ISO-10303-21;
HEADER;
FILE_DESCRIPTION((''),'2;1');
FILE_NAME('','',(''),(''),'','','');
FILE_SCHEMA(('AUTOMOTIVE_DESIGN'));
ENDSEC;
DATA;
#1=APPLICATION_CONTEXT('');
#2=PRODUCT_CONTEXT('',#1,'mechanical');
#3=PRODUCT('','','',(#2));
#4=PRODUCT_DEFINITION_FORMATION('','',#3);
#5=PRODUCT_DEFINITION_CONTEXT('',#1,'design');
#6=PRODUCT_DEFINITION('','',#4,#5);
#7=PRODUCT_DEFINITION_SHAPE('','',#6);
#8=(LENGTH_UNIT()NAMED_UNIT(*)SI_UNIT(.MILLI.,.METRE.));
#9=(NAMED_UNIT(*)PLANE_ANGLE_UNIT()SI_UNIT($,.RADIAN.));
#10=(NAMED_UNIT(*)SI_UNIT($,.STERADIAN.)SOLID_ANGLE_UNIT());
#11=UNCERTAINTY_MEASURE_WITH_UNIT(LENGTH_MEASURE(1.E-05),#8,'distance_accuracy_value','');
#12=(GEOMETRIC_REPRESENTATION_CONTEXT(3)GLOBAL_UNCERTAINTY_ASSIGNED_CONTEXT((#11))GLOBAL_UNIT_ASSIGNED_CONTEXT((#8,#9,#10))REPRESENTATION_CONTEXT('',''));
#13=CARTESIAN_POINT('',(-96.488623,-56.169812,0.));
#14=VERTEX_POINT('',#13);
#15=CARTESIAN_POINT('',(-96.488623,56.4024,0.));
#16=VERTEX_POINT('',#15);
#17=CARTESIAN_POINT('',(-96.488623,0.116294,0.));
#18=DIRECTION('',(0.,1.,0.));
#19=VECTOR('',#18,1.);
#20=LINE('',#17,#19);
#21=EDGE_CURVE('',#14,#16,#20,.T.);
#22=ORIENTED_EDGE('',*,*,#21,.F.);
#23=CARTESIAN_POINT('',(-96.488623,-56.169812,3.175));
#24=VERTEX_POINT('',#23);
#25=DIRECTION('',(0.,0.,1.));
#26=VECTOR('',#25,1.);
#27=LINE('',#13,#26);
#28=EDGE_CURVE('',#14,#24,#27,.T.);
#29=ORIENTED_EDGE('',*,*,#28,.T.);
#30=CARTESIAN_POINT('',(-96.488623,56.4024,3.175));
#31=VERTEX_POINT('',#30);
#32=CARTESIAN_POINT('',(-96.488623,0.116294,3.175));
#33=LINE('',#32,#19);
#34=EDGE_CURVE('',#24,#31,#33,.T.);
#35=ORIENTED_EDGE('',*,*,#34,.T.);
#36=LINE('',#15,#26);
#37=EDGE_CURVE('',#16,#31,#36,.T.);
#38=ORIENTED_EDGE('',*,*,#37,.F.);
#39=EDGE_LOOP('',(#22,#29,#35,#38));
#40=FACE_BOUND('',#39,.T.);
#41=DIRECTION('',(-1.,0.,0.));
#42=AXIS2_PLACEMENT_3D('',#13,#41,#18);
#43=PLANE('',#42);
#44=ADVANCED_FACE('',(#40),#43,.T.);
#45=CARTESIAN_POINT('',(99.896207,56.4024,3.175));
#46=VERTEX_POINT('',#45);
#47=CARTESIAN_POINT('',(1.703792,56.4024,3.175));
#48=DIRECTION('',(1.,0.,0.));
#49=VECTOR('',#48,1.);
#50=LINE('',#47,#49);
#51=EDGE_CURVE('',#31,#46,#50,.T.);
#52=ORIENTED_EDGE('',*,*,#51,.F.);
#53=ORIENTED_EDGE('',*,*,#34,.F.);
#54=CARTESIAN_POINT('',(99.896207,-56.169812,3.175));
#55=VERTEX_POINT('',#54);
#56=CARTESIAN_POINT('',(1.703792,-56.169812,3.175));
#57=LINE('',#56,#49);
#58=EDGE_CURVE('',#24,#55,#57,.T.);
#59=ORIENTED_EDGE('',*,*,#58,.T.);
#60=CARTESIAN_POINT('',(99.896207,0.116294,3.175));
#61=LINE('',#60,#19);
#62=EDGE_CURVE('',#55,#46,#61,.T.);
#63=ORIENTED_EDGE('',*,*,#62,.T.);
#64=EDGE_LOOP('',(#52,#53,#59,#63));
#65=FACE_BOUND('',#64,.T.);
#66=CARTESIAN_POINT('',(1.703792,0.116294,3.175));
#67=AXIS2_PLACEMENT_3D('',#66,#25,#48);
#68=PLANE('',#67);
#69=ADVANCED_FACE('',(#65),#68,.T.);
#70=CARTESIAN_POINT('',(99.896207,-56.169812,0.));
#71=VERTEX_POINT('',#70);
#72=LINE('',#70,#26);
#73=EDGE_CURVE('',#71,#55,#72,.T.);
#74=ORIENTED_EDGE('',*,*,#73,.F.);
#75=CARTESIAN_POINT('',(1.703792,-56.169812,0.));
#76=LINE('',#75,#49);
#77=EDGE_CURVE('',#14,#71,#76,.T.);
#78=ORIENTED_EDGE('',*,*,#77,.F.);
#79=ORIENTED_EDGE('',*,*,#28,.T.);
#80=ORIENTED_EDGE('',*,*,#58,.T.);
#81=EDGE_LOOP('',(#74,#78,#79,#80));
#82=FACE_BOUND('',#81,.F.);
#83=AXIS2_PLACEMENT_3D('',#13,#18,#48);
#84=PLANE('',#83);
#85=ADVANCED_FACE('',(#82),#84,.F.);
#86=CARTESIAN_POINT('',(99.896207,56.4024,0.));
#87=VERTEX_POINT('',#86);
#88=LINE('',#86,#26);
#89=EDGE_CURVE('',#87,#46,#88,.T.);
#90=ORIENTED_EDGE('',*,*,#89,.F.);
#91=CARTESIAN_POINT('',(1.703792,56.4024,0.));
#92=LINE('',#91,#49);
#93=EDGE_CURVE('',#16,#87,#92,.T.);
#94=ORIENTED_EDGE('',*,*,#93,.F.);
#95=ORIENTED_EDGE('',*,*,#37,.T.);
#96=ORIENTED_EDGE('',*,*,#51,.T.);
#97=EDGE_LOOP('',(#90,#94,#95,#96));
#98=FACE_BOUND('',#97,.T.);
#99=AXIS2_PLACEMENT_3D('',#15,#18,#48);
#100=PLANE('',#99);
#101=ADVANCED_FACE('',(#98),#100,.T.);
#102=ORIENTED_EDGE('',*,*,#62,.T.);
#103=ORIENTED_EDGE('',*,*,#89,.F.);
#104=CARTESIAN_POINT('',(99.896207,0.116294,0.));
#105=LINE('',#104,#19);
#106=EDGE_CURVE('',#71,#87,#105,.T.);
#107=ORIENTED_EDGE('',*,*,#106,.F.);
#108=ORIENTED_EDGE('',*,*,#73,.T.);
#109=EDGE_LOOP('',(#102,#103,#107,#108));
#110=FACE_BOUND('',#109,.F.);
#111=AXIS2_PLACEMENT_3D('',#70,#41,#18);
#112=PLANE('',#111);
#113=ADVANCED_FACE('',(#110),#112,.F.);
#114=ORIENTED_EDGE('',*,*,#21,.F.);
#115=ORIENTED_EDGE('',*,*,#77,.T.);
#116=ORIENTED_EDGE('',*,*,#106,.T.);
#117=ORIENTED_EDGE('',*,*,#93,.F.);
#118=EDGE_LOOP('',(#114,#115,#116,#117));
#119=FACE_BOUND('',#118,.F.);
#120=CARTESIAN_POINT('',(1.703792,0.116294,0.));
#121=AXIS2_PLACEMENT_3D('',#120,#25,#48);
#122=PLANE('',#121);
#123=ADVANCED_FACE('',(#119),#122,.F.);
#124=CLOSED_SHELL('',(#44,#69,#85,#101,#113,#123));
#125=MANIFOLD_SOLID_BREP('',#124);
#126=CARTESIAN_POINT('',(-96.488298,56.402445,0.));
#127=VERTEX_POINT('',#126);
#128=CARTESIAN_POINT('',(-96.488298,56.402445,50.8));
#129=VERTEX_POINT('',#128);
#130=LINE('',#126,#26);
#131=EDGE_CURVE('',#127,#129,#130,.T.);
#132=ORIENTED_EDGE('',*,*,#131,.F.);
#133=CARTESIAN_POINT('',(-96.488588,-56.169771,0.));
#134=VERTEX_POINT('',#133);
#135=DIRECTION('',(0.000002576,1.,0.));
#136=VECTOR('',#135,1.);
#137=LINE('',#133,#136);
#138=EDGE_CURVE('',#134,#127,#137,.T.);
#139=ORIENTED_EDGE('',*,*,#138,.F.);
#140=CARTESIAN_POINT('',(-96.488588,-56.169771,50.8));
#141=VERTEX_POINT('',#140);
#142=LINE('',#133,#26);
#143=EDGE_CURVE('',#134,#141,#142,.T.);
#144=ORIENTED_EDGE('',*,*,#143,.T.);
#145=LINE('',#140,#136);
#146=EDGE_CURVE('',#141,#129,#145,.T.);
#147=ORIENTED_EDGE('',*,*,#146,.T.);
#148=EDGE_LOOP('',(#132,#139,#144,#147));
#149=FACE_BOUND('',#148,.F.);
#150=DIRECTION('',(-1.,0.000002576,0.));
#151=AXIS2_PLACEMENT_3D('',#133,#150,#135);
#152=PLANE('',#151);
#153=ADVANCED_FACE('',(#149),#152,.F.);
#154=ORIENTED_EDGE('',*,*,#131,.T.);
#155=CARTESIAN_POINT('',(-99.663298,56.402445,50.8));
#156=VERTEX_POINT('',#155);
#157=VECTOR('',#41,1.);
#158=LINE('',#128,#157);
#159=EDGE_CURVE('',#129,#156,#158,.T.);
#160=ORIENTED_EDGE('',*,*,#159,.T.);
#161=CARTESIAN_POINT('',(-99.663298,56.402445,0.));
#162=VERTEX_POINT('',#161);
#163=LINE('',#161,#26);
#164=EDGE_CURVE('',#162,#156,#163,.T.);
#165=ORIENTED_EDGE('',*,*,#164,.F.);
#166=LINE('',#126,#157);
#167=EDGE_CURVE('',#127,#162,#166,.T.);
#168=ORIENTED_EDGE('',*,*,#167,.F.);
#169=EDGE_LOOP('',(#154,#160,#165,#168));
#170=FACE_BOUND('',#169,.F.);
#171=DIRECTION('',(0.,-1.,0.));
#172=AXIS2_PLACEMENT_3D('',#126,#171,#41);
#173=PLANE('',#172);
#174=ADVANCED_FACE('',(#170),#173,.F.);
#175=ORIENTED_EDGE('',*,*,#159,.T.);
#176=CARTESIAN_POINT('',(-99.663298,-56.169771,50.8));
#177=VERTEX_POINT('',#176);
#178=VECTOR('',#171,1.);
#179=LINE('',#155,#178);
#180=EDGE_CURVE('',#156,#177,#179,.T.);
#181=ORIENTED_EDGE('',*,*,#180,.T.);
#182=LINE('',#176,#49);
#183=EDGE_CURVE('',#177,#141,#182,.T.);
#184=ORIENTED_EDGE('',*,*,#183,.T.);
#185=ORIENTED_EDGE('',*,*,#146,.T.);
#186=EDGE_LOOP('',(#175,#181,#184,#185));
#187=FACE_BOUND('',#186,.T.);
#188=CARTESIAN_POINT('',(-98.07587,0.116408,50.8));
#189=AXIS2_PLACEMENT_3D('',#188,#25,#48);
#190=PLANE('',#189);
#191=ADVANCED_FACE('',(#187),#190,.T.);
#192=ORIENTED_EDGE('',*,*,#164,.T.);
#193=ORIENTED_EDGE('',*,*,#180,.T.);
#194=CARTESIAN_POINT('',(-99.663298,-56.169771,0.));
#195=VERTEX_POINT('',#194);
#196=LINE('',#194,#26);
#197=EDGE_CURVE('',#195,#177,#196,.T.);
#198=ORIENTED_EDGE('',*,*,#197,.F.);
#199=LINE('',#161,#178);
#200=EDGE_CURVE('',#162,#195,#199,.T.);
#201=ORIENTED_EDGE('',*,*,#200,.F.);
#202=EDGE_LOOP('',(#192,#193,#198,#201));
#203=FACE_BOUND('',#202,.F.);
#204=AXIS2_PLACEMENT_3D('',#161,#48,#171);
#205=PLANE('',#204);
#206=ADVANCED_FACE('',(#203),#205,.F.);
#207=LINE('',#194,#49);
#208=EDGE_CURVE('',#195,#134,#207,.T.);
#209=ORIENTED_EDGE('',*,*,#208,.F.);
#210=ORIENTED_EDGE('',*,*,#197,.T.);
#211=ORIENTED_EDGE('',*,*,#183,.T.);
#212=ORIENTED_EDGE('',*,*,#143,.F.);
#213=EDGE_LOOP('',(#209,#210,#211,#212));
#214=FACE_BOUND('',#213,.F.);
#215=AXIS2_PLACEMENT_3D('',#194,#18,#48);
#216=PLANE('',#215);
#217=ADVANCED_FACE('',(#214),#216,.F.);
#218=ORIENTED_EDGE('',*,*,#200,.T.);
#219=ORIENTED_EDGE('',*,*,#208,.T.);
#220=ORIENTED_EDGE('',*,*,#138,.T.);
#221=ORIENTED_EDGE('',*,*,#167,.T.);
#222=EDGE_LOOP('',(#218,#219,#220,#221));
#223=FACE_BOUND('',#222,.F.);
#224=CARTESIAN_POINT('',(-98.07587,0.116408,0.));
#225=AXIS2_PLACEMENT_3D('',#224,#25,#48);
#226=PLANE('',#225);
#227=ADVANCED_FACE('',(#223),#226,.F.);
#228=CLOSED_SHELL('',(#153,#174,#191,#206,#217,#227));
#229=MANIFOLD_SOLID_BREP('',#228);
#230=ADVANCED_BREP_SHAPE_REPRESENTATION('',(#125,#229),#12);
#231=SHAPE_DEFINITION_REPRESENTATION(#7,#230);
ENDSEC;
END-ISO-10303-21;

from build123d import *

# Parameters (mm, degrees)
F0_W     = 196.38483
F0_H     = 112.572212
F1_DEPTH = 3.175
F3_DEPTH = 50.8


with BuildPart() as f1:
    # F0 (on Top) → F1 (new body)
    with BuildSketch(Plane.XY):
        with Locations((1.703792, 0.116294)):
            Rectangle(F0_W, F0_H)
    extrude(amount=F1_DEPTH)


with BuildPart() as f3:
    # F2 (on Top) → F3 (new body)
    with BuildSketch(Plane.XY):
        Polygon((-96.488298, 56.402445), (-99.663298, 56.402445), (-99.663298, -56.169771), (-96.488588, -56.169771), align=None)
    extrude(amount=F3_DEPTH)


solid = Compound([f1.part, f3.part])
